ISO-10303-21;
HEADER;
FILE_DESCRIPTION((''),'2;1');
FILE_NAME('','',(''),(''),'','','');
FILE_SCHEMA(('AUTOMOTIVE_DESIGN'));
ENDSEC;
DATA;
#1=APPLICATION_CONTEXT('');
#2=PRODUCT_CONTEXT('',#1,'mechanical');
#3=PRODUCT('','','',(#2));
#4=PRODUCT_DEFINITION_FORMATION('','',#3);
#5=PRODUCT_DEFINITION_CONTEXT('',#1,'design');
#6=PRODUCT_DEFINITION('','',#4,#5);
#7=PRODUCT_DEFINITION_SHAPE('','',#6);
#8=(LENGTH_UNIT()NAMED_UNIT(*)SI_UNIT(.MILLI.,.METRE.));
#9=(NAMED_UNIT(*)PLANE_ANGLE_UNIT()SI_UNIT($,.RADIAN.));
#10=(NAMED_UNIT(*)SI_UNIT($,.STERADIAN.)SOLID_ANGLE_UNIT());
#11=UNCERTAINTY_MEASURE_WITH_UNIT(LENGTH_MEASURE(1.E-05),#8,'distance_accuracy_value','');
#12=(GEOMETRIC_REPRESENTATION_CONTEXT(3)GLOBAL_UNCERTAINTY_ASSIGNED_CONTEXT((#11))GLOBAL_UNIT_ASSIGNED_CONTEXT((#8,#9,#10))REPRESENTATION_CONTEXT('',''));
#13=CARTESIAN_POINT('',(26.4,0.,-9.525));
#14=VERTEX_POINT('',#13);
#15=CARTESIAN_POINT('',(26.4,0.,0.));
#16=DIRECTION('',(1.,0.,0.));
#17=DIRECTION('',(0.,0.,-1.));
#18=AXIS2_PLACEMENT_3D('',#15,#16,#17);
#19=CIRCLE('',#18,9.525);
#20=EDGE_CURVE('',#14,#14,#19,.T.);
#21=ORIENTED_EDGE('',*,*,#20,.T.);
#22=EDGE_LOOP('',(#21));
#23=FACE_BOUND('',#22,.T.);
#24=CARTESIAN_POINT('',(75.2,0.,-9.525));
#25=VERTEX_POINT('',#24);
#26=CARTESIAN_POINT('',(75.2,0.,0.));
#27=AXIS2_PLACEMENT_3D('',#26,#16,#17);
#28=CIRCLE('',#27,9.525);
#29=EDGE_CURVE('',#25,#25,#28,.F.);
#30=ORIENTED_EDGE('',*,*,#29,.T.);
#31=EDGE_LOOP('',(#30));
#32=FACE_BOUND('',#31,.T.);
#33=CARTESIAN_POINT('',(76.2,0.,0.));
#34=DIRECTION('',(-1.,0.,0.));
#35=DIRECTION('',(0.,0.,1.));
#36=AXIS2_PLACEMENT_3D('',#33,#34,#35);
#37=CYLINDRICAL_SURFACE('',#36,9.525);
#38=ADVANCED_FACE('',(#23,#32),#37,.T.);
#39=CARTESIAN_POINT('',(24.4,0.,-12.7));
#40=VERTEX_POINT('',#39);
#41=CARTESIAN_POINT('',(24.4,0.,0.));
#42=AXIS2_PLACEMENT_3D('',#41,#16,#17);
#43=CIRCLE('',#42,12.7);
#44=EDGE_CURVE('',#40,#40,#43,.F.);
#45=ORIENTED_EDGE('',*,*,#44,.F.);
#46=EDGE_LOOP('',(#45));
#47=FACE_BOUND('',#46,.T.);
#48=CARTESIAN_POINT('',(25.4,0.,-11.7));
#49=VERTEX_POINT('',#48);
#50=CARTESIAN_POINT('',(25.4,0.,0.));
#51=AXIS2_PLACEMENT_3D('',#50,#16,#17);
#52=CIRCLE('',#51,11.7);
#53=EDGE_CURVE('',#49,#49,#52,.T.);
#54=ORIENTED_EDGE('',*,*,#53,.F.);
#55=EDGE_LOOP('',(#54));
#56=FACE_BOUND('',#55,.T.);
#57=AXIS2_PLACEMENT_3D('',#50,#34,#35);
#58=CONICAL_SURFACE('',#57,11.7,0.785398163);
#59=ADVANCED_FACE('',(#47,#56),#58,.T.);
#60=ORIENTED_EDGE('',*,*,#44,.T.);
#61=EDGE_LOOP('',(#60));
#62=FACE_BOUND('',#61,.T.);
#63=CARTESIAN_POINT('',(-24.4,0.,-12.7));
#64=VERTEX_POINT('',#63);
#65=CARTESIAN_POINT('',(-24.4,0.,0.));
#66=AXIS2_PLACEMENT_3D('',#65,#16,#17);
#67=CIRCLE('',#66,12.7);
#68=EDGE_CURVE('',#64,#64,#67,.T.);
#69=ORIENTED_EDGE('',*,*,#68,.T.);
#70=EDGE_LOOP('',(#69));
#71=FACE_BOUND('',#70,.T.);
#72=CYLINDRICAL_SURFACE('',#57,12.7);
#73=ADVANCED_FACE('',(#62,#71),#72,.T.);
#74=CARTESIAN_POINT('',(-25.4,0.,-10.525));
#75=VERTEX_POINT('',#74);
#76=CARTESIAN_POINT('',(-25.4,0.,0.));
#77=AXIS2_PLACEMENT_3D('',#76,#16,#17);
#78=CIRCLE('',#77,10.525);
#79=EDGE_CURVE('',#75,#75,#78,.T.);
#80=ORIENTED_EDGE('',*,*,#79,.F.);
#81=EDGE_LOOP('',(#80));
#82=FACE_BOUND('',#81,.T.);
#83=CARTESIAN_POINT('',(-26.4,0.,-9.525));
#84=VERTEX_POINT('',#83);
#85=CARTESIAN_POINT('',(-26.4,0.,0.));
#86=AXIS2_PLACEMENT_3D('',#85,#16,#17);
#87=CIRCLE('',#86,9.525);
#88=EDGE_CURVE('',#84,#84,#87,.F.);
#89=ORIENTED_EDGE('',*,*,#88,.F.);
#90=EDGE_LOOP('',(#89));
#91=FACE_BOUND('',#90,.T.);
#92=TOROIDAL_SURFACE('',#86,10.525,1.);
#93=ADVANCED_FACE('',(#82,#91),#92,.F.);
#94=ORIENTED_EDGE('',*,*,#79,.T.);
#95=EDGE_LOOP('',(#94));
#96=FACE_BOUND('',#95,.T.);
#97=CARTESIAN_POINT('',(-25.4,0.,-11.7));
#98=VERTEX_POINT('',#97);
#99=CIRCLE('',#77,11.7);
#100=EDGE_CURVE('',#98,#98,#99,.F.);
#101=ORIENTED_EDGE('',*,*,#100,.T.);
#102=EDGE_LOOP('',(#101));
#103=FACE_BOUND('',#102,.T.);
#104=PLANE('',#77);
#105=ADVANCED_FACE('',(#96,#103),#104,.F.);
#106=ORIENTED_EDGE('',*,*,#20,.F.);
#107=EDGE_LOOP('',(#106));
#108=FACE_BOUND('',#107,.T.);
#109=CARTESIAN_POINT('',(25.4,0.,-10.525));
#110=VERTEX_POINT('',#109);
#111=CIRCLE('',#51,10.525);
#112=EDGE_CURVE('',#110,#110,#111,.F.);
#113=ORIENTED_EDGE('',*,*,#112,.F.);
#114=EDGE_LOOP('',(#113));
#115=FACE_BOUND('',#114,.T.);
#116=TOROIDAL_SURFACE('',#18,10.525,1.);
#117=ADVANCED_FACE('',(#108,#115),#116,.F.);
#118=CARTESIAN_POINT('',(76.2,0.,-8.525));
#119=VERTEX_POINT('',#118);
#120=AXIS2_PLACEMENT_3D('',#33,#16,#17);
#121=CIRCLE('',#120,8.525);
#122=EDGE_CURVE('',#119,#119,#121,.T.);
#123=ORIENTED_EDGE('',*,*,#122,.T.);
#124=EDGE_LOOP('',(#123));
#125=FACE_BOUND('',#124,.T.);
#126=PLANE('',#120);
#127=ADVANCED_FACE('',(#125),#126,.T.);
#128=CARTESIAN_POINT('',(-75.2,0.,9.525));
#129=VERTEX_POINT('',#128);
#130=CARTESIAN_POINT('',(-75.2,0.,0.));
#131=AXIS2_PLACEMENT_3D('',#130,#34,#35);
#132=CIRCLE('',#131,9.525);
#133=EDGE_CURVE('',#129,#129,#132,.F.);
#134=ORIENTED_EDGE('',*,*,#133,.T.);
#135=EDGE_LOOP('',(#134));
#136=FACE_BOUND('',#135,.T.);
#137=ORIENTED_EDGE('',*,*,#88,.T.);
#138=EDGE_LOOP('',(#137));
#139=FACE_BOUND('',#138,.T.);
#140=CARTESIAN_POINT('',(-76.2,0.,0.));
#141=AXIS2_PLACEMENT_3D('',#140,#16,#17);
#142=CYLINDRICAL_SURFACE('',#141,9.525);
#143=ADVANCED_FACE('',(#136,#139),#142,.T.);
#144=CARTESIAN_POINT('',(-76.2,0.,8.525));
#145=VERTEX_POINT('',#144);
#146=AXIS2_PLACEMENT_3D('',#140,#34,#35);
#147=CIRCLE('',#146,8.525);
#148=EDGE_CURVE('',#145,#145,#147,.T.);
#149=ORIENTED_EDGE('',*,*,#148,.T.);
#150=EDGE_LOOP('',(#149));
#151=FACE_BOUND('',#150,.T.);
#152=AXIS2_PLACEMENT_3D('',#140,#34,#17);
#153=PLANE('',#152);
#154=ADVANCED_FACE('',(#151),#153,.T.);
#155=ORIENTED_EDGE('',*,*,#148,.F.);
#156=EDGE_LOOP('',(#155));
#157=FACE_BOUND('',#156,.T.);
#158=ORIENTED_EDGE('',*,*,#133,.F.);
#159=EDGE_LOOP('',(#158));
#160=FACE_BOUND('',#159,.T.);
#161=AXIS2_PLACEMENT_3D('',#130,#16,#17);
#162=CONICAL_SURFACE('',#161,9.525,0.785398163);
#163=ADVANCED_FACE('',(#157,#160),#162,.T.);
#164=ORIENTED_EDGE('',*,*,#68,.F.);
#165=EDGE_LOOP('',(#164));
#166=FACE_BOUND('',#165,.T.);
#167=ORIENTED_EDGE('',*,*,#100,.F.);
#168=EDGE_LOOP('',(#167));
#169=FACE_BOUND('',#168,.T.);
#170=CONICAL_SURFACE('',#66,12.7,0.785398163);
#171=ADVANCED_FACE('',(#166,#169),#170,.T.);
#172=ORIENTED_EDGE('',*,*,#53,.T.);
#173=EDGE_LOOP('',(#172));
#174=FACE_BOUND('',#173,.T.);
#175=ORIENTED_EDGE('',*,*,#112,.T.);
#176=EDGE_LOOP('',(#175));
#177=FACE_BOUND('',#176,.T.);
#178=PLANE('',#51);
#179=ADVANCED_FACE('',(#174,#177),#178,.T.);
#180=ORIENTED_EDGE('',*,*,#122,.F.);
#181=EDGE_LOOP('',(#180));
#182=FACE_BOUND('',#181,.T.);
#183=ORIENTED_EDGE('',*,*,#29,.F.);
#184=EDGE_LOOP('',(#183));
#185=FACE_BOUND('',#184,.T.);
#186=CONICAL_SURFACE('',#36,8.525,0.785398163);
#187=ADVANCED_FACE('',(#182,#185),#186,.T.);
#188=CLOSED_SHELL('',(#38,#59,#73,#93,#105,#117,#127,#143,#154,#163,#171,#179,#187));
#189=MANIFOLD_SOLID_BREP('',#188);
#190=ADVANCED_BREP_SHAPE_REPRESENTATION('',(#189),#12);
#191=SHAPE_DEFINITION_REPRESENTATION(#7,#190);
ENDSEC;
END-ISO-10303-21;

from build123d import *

# Parameters (mm, degrees)
CROQUIS1_R              = 12.7
SALIENTE_EXTRUIR1_DEPTH = 25.4
CROQUIS2_R              = 9.525
SALIENTE_EXTRUIR2_DEPTH = 50.8
REDONDEO1_R             = 1
REDONDEO2_R             = 1
CHAFL_N1_SIZE           = 1
CHAFL_N2_SIZE           = 1


with BuildPart() as part:
    # Croquis1 → Saliente-Extruir1 (new body, symmetric)
    with BuildSketch(Plane(origin=(0, 0, 0), x_dir=(0, 0, -1), z_dir=(1, 0, 0))):
        Circle(CROQUIS1_R)
    extrude(amount=SALIENTE_EXTRUIR1_DEPTH, both=True)

    # Croquis2 → Saliente-Extruir2 (add)
    with BuildSketch(Plane(origin=(25.4, 0, 0), x_dir=(0, 0, -1), z_dir=(1, 0, 0))):
        Circle(CROQUIS2_R)
    saliente_extruir2 = extrude(amount=SALIENTE_EXTRUIR2_DEPTH)

    # Redondeo1
    redondeo1_edges = [part.edges().sort_by_distance(p)[0] for p in [
        (25.4, 0, 9.525),
    ]]
    fillet(redondeo1_edges, radius=REDONDEO1_R)

    # Simetría3: Saliente-Extruir2 across plane
    add(saliente_extruir2.mirror(Plane(origin=(0, 0, 0), x_dir=(0, 0, 1), z_dir=(1, 0, 0))))

    # Redondeo2
    redondeo2_edges = [part.edges().sort_by_distance(p)[0] for p in [
        (-25.4, 0, 9.525),
    ]]
    fillet(redondeo2_edges, radius=REDONDEO2_R)

    # Chaflán1
    chafl_n1_edges = [part.edges().sort_by_distance(p)[0] for p in [
        (-76.2, 0, 9.525),
        (76.2, 0, 9.525),
    ]]
    chamfer(chafl_n1_edges, length=CHAFL_N1_SIZE)

    # Chaflán2
    chafl_n2_edges = [part.edges().sort_by_distance(p)[0] for p in [
        (-25.4, 0, 12.7),
        (25.4, 0, 12.7),
    ]]
    chamfer(chafl_n2_edges, length=CHAFL_N2_SIZE)


solid = part.part
